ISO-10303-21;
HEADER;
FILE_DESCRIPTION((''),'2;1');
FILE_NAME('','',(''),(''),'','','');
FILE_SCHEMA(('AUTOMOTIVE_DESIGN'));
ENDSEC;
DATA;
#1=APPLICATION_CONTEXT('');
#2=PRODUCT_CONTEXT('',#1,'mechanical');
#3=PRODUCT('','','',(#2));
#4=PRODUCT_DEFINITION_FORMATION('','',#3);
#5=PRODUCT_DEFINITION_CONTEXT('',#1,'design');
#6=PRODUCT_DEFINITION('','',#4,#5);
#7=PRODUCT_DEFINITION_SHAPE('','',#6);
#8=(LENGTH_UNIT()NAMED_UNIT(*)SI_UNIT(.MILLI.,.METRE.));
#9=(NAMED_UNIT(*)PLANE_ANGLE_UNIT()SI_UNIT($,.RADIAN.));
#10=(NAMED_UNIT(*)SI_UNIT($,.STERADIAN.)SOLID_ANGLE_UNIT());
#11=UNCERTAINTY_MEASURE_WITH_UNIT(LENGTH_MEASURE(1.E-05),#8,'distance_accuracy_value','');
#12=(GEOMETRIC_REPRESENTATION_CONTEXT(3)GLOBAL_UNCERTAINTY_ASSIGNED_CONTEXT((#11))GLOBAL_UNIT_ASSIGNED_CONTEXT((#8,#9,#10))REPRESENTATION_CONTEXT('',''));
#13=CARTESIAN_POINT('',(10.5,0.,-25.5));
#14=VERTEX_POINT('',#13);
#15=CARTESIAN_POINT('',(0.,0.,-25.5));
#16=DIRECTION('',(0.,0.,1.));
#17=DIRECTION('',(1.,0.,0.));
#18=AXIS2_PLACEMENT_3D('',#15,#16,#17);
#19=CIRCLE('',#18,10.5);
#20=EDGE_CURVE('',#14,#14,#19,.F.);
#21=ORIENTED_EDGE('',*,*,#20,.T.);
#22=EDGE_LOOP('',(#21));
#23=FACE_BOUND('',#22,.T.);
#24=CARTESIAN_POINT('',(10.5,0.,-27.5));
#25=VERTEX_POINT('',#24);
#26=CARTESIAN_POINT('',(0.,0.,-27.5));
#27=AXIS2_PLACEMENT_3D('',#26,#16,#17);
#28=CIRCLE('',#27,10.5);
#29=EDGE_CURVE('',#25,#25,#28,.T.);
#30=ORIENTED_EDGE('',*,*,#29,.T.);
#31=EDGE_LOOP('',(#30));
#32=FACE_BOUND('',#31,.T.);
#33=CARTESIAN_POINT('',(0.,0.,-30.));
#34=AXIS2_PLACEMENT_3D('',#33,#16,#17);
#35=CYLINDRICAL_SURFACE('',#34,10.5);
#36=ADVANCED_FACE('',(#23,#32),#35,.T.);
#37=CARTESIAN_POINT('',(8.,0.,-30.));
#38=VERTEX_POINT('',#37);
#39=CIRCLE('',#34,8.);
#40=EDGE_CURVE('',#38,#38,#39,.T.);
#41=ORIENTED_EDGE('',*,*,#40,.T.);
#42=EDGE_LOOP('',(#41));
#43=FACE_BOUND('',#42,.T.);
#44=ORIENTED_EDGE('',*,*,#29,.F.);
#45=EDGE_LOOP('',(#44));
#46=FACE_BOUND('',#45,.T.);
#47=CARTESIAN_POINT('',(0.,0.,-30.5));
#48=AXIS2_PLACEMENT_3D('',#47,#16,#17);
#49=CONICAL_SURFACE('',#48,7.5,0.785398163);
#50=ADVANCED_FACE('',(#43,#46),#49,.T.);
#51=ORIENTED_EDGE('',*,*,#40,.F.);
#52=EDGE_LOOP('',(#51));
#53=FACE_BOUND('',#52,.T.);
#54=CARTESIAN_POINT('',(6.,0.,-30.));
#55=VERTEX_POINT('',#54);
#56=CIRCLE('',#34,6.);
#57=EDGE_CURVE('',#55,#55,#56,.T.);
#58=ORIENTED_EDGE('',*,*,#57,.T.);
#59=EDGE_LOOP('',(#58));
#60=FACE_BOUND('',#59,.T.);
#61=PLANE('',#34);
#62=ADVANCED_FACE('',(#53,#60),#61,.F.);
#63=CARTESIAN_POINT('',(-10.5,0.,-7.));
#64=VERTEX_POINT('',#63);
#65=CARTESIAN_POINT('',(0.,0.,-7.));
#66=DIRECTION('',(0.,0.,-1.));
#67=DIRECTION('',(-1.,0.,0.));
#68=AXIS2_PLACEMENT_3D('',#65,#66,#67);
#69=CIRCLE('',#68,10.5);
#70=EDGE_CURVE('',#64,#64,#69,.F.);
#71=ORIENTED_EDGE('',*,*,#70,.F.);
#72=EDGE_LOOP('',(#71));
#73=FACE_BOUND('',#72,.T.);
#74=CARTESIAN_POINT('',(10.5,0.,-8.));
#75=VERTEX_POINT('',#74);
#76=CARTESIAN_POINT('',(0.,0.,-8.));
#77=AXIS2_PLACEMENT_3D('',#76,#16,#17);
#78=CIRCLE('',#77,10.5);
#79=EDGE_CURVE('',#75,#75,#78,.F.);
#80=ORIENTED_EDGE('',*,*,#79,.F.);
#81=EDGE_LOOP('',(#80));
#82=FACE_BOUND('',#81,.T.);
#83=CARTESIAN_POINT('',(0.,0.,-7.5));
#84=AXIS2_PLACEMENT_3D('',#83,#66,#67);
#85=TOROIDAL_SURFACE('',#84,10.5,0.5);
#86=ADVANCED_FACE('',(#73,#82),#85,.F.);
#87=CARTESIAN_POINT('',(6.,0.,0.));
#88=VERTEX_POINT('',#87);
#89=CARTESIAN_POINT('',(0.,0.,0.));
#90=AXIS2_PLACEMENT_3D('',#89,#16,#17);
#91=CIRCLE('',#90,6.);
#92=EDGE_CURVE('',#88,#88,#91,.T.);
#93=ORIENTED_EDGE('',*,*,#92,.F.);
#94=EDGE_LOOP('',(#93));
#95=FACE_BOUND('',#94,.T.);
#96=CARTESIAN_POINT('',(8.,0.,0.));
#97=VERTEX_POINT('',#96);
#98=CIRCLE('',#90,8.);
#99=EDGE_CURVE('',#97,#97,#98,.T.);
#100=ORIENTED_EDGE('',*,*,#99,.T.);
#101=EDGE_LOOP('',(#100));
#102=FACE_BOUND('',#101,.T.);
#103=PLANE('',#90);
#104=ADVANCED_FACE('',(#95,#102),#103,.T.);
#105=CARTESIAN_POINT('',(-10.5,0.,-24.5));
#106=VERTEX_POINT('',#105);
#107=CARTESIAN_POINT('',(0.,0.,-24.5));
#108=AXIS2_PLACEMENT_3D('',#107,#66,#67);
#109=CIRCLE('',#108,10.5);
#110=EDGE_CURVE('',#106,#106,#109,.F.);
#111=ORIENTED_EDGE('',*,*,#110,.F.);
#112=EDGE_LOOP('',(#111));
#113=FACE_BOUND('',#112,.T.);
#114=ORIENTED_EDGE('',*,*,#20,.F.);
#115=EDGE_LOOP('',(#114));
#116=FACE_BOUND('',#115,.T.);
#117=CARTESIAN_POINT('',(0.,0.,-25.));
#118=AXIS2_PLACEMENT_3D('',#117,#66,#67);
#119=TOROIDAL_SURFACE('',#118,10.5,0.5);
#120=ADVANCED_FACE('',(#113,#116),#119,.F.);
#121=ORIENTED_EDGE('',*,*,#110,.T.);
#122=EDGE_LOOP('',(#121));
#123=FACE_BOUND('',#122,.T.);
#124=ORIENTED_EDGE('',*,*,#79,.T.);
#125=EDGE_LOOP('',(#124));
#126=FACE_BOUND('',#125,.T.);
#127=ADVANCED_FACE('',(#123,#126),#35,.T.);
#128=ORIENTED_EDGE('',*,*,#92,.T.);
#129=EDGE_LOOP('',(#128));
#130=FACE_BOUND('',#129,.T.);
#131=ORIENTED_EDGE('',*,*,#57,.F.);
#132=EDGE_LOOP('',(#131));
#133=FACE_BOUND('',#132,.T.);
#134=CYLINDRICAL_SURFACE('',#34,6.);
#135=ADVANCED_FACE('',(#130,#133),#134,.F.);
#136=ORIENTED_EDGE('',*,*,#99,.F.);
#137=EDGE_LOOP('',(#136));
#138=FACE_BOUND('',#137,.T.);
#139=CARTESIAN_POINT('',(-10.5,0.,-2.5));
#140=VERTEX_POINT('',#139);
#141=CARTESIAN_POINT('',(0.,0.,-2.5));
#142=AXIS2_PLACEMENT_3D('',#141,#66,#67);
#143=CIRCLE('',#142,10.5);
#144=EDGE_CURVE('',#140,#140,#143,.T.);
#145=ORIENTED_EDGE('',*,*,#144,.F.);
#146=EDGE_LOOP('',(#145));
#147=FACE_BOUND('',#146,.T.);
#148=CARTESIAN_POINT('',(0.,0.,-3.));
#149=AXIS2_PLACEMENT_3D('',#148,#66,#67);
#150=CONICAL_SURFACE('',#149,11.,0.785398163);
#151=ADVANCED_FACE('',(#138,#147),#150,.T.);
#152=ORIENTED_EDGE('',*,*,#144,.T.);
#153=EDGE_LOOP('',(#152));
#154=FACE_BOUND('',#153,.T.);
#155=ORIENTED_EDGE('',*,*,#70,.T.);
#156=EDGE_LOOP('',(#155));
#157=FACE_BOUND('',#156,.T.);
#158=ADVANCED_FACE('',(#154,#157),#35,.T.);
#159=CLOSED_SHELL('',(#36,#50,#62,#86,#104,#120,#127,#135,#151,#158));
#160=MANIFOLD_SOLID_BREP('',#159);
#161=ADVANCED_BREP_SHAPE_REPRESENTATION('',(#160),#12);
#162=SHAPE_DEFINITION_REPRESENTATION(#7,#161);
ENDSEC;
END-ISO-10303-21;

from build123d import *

# Parameters (mm, degrees)
SKETCH_1_R      = 10.5
SKETCH_1_R_2    = 6
EXTRUDE_1_DEPTH = 30
SKETCH_4_R      = 0.5


with BuildPart() as part:
    # 草图1 → 凸台-拉伸1 (new body)
    with BuildSketch(Plane.XY):
        Circle(SKETCH_1_R)
        Circle(SKETCH_1_R_2, mode=Mode.SUBTRACT)
    extrude(amount=-EXTRUDE_1_DEPTH)

    # 草图2 → 切除-旋转3 (revolve, cut)
    with BuildSketch(Plane(origin=(0, 0, 0), x_dir=(1, 0, 0), z_dir=(0, 1, 0)), mode=Mode.PRIVATE) as cut_revolve_3_sk:
        Polygon((7.5, 30.5), (11, 27), (11, 30.5), align=None)
        Polygon((11, 3), (7.5, -0.5), (11, -0.5), align=None)
    revolve(cut_revolve_3_sk.sketch.rotate(Axis((0, 0, -40.551392487), (0, 0, 1)), 180), axis=Axis((0, 0, -40.551392487), (0, 0, 1)), mode=Mode.SUBTRACT)

    # 草图4 → 切除-旋转4 (revolve, cut)
    with BuildSketch(Plane(origin=(0, 0, 0), x_dir=(1, 0, 0), z_dir=(0, 1, 0)), mode=Mode.PRIVATE) as cut_revolve_4_sk:
        with Locations((10.5, 25)):
            Circle(SKETCH_4_R)
        with Locations((10.5, 7.5)):
            Circle(SKETCH_4_R)
    revolve(cut_revolve_4_sk.sketch.rotate(Axis((0, 0, -36.832356515), (0, 0, 1)), 180), axis=Axis((0, 0, -36.832356515), (0, 0, 1)), mode=Mode.SUBTRACT)


solid = part.part
